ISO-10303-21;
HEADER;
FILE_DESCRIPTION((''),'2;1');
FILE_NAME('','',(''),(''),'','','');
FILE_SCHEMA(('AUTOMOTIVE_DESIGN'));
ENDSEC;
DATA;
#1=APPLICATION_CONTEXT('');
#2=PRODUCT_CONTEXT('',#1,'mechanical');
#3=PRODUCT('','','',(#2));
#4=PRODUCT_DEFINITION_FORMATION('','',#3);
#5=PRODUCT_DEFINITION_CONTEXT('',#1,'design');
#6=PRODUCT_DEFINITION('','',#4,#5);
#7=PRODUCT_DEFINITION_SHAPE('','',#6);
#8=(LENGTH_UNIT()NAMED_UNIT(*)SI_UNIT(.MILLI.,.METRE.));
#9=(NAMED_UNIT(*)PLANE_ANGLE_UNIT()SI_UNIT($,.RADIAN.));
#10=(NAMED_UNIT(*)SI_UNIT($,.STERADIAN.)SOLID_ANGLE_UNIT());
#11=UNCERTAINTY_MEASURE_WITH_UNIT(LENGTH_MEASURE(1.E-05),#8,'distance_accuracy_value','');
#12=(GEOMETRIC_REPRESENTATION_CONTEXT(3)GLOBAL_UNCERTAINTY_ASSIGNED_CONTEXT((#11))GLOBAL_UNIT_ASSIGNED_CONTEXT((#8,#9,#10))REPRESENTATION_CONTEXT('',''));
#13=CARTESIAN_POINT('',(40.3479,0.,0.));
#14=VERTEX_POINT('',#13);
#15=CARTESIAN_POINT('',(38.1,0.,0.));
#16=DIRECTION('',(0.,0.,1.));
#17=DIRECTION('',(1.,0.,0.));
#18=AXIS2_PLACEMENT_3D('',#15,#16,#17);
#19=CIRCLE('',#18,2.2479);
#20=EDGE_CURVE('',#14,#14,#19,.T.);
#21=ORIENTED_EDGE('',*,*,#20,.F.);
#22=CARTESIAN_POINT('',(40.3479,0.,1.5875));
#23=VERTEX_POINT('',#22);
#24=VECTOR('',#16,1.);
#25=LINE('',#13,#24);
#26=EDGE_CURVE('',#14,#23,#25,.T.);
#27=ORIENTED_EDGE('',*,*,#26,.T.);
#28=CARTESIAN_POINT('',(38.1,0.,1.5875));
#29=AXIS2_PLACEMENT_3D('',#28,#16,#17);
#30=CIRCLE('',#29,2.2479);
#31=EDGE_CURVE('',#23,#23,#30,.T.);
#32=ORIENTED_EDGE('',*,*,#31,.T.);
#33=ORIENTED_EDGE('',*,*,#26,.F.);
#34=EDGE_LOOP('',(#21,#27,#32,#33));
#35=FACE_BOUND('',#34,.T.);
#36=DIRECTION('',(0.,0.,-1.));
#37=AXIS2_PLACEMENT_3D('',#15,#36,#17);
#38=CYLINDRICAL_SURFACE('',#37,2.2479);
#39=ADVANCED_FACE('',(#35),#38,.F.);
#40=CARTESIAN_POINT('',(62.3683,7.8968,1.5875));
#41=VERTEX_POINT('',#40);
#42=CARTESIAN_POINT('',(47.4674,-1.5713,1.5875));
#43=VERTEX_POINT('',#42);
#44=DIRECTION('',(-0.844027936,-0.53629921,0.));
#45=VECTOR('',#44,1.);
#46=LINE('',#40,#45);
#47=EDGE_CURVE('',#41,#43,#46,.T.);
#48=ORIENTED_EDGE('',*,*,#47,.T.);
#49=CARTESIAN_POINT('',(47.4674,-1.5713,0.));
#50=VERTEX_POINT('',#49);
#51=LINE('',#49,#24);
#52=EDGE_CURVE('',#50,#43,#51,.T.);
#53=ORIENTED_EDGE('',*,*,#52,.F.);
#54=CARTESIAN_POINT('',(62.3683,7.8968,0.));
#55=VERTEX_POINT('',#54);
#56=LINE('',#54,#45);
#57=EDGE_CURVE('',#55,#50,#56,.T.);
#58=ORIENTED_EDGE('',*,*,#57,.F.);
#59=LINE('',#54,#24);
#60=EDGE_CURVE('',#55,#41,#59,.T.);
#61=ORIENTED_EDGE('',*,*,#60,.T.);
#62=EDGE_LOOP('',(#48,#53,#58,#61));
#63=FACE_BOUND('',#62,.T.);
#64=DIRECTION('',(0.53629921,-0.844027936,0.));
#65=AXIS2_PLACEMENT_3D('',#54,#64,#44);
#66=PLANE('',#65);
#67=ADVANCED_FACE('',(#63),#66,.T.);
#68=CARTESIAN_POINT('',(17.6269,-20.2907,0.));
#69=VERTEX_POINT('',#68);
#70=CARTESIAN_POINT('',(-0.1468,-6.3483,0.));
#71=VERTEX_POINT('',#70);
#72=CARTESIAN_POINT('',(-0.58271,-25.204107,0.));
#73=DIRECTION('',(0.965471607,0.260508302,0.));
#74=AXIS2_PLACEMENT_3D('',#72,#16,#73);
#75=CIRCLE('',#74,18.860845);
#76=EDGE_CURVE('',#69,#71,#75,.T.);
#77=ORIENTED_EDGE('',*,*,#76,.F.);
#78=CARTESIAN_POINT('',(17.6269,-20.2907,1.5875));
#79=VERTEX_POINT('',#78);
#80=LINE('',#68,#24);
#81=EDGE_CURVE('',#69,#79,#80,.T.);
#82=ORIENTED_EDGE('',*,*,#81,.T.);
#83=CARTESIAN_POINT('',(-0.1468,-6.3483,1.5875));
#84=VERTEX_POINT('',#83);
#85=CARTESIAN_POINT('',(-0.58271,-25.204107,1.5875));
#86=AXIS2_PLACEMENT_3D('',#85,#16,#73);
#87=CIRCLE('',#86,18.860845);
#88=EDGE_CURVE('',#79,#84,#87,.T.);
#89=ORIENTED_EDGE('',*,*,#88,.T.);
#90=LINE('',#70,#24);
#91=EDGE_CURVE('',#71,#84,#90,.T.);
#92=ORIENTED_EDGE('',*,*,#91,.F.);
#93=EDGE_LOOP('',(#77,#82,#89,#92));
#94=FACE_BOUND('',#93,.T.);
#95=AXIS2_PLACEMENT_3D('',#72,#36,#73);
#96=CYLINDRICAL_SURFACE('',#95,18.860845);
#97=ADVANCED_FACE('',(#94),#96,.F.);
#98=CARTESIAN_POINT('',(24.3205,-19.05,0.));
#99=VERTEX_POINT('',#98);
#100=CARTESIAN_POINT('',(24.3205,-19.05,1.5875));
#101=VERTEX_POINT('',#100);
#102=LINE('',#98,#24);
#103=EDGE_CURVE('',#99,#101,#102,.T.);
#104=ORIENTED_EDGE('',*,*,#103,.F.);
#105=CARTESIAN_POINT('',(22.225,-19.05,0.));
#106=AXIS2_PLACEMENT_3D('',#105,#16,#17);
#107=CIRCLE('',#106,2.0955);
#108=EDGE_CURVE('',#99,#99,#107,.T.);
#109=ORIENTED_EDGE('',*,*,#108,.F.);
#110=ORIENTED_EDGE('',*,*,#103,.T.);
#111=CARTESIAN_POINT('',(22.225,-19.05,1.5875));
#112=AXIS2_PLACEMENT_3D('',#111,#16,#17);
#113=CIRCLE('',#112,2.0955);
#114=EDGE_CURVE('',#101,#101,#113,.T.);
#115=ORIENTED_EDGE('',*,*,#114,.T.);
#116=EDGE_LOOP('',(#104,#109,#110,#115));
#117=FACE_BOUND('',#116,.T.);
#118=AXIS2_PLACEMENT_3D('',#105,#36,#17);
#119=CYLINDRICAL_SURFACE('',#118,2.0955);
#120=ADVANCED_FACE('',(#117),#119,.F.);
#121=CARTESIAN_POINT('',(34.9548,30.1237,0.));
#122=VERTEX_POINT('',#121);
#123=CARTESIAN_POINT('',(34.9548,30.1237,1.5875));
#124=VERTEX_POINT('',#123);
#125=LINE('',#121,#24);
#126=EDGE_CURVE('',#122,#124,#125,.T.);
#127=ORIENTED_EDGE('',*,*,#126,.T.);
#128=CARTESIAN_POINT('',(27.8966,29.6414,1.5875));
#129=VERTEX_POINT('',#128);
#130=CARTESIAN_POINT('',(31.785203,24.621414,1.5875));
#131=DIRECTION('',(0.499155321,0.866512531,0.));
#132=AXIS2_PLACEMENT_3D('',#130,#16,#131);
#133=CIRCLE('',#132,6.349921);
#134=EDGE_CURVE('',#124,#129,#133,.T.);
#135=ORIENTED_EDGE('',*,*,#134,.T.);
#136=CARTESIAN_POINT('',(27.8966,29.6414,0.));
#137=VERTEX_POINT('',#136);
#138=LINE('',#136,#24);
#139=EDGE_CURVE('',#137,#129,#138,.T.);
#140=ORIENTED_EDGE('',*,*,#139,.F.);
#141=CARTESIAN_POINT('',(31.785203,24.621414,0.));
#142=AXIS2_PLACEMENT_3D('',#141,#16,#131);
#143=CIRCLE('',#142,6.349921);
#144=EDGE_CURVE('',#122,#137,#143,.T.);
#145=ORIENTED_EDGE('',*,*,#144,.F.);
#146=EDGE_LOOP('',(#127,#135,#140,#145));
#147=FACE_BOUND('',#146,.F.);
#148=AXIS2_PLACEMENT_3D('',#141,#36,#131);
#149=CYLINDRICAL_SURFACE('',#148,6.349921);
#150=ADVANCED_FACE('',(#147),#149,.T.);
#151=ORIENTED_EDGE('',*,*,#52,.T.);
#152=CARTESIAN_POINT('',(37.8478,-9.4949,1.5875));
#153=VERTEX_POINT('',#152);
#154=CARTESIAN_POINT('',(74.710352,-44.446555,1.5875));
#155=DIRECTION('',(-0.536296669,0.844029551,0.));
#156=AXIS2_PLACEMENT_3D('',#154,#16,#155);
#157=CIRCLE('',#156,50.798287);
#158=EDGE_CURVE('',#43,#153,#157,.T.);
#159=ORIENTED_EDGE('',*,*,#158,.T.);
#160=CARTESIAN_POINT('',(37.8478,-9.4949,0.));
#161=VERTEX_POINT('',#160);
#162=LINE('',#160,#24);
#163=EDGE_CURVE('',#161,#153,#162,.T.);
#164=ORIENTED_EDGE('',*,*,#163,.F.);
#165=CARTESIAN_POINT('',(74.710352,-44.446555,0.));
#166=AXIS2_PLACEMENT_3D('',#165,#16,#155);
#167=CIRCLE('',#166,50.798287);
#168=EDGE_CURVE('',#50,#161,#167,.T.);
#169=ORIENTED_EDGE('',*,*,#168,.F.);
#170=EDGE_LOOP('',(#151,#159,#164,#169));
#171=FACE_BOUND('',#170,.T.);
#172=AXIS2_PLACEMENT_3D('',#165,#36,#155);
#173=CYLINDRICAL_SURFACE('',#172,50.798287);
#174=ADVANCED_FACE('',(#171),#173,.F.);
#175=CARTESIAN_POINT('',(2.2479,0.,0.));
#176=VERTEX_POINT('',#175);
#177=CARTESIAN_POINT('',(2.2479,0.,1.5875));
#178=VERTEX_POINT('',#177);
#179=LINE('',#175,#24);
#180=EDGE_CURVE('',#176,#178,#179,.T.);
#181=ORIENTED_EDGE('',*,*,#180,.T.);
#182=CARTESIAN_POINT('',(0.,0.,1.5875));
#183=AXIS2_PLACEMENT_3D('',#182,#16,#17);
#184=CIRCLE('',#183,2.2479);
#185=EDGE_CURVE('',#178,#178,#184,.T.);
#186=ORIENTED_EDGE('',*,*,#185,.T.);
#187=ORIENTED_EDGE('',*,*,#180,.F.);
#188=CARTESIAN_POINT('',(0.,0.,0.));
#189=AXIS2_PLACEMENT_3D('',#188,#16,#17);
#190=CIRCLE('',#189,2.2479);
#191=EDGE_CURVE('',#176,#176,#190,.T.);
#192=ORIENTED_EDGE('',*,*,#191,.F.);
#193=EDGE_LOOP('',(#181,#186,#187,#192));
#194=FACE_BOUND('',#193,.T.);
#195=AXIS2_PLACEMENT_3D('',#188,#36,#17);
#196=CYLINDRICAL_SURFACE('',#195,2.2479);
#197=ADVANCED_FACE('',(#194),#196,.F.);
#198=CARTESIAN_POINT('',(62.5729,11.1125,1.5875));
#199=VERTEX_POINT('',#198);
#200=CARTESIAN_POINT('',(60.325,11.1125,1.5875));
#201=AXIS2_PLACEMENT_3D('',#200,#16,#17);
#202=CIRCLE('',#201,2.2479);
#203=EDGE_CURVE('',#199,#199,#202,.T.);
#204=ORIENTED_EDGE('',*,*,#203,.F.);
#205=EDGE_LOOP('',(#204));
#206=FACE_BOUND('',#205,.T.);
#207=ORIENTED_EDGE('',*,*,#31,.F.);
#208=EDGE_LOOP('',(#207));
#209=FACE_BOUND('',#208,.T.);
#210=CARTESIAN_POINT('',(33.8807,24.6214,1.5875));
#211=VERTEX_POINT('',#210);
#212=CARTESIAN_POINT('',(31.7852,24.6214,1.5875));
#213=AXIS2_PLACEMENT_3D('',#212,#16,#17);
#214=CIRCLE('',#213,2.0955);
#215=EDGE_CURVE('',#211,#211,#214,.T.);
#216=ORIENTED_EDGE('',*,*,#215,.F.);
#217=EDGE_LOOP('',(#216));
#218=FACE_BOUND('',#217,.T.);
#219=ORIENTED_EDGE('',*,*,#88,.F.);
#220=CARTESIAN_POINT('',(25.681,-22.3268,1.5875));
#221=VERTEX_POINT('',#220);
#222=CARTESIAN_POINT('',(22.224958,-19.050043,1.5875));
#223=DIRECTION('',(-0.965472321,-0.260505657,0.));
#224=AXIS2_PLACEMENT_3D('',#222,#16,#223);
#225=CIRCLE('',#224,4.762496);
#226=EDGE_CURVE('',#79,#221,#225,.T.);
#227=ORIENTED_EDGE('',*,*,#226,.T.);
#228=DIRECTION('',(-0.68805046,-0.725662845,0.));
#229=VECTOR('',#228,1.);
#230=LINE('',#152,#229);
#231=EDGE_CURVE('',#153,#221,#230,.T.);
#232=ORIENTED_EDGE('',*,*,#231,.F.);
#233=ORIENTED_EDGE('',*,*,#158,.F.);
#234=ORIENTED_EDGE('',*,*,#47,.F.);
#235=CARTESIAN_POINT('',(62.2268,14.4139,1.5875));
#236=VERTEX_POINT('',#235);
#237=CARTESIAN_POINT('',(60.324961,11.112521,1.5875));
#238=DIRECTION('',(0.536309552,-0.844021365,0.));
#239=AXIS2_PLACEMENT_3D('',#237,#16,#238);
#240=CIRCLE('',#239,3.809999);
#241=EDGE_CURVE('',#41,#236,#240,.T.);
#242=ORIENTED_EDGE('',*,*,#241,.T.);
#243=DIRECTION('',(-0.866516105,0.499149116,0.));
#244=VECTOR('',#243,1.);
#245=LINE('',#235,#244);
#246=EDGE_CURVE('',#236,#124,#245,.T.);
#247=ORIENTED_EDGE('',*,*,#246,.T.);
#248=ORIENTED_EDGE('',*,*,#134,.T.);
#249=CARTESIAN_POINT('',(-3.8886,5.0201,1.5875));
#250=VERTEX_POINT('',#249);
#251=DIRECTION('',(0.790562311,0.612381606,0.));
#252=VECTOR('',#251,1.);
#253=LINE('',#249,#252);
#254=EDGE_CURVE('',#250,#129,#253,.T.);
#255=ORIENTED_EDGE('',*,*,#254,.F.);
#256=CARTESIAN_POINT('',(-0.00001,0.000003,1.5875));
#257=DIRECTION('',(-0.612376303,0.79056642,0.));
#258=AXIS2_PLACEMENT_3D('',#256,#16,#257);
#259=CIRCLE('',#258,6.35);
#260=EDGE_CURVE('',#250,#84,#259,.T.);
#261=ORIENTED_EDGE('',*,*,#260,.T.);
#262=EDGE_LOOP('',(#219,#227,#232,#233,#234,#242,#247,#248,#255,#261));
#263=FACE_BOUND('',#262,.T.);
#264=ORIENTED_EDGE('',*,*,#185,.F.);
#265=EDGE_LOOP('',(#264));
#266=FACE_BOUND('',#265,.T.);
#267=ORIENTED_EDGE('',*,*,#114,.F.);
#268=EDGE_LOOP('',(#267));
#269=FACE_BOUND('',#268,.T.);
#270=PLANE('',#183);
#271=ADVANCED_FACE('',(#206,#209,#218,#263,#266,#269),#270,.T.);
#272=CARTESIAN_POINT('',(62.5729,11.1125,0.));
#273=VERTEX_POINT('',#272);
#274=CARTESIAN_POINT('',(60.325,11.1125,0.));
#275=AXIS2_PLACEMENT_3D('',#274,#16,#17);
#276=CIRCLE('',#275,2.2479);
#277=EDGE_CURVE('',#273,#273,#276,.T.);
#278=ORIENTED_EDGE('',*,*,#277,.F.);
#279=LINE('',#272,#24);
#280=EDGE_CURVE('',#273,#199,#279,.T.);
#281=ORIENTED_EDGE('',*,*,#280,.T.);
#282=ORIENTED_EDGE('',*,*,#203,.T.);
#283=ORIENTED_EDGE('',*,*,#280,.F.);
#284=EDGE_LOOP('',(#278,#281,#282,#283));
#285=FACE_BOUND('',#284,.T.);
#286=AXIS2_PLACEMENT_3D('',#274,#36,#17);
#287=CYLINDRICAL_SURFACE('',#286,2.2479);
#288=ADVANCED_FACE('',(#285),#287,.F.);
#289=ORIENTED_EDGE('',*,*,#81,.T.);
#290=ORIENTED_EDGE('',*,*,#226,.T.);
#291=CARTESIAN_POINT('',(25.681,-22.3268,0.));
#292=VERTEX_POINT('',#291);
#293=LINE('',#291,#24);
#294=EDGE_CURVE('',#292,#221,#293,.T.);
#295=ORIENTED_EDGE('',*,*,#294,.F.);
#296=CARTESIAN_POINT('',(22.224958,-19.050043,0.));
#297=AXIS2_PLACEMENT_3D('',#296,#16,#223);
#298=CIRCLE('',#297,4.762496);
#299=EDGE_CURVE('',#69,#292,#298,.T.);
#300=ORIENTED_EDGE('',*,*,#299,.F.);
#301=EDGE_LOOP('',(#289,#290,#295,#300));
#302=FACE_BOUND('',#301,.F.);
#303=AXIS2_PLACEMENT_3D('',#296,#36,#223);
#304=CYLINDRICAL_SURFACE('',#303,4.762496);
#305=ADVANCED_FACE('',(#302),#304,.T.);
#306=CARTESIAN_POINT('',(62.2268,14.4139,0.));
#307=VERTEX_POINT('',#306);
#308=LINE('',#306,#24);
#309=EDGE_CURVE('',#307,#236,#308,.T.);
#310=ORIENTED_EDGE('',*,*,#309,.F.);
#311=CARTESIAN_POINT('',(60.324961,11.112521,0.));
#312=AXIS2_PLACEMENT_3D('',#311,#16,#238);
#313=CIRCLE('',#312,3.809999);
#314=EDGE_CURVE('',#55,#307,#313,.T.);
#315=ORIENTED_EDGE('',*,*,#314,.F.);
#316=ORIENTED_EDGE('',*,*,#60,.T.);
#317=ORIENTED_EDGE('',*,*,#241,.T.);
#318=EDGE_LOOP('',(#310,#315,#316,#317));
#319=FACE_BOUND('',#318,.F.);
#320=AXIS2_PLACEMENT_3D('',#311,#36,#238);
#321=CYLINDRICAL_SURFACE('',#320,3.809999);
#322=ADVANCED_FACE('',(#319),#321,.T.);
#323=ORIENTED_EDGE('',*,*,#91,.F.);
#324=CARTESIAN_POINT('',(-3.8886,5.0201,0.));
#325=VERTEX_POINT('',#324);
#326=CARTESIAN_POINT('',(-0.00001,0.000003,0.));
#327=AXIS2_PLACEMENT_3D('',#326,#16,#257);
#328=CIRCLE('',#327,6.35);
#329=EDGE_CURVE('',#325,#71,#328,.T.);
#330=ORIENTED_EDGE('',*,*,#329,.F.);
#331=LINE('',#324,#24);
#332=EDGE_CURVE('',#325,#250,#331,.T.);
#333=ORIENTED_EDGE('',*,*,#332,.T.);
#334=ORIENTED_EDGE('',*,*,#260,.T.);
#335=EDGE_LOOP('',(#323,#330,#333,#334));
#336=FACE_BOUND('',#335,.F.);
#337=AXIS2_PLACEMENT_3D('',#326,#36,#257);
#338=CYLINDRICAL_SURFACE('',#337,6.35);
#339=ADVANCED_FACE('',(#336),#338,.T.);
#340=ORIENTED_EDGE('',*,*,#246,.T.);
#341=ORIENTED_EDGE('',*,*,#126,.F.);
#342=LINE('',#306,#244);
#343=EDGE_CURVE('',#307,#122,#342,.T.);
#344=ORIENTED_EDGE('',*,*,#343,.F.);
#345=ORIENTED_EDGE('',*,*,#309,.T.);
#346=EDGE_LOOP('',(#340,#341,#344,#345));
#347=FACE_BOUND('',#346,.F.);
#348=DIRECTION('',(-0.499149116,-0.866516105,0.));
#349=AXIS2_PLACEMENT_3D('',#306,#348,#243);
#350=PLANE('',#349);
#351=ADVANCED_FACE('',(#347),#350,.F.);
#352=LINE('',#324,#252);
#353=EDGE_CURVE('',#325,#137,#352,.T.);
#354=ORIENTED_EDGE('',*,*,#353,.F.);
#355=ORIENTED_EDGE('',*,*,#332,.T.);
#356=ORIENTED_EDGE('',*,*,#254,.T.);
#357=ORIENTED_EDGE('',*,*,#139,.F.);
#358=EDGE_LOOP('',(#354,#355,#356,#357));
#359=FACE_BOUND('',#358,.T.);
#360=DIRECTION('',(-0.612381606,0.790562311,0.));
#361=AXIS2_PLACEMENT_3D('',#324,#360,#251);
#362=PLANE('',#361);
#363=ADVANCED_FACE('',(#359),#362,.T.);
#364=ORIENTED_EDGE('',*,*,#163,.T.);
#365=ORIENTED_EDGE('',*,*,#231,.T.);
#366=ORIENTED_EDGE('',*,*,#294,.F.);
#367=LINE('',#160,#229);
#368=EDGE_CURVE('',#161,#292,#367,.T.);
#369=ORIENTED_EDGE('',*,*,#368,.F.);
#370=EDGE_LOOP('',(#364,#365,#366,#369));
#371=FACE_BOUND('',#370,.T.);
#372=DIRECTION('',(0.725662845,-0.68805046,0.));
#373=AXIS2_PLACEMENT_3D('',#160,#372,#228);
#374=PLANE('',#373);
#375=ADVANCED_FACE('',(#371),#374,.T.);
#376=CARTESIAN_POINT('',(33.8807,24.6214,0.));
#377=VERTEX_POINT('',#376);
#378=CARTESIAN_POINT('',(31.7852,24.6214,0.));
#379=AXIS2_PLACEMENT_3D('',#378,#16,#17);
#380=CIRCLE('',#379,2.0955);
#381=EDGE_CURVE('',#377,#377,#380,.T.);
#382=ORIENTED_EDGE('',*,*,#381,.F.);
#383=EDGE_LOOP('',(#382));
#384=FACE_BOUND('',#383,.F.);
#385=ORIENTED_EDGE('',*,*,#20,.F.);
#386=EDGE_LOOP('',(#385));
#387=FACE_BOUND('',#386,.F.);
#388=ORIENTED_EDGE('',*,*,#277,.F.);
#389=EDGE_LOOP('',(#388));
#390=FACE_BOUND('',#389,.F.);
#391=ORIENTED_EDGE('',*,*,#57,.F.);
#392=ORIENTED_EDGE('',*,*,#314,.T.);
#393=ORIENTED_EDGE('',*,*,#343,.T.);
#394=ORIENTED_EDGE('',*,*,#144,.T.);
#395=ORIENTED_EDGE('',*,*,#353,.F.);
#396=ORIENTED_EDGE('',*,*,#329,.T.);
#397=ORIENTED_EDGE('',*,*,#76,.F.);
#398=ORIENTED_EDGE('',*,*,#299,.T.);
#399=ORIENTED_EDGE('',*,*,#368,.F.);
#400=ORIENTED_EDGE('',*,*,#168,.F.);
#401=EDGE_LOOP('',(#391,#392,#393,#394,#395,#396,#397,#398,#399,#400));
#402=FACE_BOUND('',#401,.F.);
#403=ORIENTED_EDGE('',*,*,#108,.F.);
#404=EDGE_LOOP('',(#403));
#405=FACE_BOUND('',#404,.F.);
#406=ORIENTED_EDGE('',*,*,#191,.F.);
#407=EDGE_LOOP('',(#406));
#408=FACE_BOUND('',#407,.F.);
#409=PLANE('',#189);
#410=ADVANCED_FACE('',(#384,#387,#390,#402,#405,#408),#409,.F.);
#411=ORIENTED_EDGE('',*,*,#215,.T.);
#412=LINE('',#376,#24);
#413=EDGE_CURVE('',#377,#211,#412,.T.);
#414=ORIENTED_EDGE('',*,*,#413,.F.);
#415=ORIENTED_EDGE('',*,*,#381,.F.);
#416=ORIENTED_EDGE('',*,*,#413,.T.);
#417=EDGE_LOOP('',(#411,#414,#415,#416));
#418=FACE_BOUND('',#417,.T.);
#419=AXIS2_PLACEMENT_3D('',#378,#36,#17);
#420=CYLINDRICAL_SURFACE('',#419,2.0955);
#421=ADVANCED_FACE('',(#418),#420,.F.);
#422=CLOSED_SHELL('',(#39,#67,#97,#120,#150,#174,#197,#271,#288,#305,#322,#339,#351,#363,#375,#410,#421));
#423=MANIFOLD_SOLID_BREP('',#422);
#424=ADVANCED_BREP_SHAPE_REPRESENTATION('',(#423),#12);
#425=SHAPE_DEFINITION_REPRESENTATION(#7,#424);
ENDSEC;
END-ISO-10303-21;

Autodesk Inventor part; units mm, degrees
ref_plane "YZ Plane" through (0, 0, 0) normal (1, 0, 0) x (0, 1, 0)
ref_plane "XZ Plane" through (0, 0, 0) normal (0, 1, 0) x (-1, 0, 0)
ref_plane "XY Plane" through (0, 0, 0) normal (0, 0, 1) x (1, 0, 0)
sketch "Sketch1" plane through (0, 0, 0) normal (0, 0, 1) x (1, 0, 0)
  circle A0 centre (0, 0) radius 2.2479
  circle A1 centre (38.1, 0) radius 2.2479
  circle A2 centre (31.7852, 24.6214) radius 2.0955
  arc A3 (-3.8886, 5.0201) -> (-0.1468, -6.3483) centre (0, 0) ccw
  arc A4 (34.9548, 30.1237) -> (27.8966, 29.6414) centre (31.7852, 24.6214) ccw
  line L0 (-3.8886, 5.0201) -> (27.8966, 29.6414)
  line L1 (38.1, 0) -> (63.5, 0) construction
  circle A5 centre (22.225, -19.05) radius 2.0955
  arc A6 (17.6269, -20.2907) -> (25.681, -22.3268) centre (22.225, -19.05) ccw
  arc A7 (17.6269, -20.2907) -> (-0.1468, -6.3483) centre (-0.5827, -25.2041) ccw
  line L2 (37.8478, -9.4949) -> (25.681, -22.3268)
  circle A8 centre (60.325, 11.1125) radius 2.2479
  arc A9 (62.3683, 7.8968) -> (62.2268, 14.4139) centre (60.325, 11.1125) ccw
  line L3 (62.2268, 14.4139) -> (34.9548, 30.1237)
  line L4 (62.3683, 7.8968) -> (47.4674, -1.5713)
  arc A10 (47.4674, -1.5713) -> (37.8478, -9.4949) centre (74.7114, -44.448) ccw
  point P0 (42.1679, -4.9387)
  dimension "d0" = 4.4958
  dimension "d5" = 12.7
  dimension "d6" = 12.7
  dimension "d14" = 9.525
  dimension "d16" = 7.62
  dimension "d17" = 50.8
extrude "Extrusion1" add sketch "Sketch1" along normal blind 1.5875
properties part number "odom_pod" material "Acetal Resin, White"
